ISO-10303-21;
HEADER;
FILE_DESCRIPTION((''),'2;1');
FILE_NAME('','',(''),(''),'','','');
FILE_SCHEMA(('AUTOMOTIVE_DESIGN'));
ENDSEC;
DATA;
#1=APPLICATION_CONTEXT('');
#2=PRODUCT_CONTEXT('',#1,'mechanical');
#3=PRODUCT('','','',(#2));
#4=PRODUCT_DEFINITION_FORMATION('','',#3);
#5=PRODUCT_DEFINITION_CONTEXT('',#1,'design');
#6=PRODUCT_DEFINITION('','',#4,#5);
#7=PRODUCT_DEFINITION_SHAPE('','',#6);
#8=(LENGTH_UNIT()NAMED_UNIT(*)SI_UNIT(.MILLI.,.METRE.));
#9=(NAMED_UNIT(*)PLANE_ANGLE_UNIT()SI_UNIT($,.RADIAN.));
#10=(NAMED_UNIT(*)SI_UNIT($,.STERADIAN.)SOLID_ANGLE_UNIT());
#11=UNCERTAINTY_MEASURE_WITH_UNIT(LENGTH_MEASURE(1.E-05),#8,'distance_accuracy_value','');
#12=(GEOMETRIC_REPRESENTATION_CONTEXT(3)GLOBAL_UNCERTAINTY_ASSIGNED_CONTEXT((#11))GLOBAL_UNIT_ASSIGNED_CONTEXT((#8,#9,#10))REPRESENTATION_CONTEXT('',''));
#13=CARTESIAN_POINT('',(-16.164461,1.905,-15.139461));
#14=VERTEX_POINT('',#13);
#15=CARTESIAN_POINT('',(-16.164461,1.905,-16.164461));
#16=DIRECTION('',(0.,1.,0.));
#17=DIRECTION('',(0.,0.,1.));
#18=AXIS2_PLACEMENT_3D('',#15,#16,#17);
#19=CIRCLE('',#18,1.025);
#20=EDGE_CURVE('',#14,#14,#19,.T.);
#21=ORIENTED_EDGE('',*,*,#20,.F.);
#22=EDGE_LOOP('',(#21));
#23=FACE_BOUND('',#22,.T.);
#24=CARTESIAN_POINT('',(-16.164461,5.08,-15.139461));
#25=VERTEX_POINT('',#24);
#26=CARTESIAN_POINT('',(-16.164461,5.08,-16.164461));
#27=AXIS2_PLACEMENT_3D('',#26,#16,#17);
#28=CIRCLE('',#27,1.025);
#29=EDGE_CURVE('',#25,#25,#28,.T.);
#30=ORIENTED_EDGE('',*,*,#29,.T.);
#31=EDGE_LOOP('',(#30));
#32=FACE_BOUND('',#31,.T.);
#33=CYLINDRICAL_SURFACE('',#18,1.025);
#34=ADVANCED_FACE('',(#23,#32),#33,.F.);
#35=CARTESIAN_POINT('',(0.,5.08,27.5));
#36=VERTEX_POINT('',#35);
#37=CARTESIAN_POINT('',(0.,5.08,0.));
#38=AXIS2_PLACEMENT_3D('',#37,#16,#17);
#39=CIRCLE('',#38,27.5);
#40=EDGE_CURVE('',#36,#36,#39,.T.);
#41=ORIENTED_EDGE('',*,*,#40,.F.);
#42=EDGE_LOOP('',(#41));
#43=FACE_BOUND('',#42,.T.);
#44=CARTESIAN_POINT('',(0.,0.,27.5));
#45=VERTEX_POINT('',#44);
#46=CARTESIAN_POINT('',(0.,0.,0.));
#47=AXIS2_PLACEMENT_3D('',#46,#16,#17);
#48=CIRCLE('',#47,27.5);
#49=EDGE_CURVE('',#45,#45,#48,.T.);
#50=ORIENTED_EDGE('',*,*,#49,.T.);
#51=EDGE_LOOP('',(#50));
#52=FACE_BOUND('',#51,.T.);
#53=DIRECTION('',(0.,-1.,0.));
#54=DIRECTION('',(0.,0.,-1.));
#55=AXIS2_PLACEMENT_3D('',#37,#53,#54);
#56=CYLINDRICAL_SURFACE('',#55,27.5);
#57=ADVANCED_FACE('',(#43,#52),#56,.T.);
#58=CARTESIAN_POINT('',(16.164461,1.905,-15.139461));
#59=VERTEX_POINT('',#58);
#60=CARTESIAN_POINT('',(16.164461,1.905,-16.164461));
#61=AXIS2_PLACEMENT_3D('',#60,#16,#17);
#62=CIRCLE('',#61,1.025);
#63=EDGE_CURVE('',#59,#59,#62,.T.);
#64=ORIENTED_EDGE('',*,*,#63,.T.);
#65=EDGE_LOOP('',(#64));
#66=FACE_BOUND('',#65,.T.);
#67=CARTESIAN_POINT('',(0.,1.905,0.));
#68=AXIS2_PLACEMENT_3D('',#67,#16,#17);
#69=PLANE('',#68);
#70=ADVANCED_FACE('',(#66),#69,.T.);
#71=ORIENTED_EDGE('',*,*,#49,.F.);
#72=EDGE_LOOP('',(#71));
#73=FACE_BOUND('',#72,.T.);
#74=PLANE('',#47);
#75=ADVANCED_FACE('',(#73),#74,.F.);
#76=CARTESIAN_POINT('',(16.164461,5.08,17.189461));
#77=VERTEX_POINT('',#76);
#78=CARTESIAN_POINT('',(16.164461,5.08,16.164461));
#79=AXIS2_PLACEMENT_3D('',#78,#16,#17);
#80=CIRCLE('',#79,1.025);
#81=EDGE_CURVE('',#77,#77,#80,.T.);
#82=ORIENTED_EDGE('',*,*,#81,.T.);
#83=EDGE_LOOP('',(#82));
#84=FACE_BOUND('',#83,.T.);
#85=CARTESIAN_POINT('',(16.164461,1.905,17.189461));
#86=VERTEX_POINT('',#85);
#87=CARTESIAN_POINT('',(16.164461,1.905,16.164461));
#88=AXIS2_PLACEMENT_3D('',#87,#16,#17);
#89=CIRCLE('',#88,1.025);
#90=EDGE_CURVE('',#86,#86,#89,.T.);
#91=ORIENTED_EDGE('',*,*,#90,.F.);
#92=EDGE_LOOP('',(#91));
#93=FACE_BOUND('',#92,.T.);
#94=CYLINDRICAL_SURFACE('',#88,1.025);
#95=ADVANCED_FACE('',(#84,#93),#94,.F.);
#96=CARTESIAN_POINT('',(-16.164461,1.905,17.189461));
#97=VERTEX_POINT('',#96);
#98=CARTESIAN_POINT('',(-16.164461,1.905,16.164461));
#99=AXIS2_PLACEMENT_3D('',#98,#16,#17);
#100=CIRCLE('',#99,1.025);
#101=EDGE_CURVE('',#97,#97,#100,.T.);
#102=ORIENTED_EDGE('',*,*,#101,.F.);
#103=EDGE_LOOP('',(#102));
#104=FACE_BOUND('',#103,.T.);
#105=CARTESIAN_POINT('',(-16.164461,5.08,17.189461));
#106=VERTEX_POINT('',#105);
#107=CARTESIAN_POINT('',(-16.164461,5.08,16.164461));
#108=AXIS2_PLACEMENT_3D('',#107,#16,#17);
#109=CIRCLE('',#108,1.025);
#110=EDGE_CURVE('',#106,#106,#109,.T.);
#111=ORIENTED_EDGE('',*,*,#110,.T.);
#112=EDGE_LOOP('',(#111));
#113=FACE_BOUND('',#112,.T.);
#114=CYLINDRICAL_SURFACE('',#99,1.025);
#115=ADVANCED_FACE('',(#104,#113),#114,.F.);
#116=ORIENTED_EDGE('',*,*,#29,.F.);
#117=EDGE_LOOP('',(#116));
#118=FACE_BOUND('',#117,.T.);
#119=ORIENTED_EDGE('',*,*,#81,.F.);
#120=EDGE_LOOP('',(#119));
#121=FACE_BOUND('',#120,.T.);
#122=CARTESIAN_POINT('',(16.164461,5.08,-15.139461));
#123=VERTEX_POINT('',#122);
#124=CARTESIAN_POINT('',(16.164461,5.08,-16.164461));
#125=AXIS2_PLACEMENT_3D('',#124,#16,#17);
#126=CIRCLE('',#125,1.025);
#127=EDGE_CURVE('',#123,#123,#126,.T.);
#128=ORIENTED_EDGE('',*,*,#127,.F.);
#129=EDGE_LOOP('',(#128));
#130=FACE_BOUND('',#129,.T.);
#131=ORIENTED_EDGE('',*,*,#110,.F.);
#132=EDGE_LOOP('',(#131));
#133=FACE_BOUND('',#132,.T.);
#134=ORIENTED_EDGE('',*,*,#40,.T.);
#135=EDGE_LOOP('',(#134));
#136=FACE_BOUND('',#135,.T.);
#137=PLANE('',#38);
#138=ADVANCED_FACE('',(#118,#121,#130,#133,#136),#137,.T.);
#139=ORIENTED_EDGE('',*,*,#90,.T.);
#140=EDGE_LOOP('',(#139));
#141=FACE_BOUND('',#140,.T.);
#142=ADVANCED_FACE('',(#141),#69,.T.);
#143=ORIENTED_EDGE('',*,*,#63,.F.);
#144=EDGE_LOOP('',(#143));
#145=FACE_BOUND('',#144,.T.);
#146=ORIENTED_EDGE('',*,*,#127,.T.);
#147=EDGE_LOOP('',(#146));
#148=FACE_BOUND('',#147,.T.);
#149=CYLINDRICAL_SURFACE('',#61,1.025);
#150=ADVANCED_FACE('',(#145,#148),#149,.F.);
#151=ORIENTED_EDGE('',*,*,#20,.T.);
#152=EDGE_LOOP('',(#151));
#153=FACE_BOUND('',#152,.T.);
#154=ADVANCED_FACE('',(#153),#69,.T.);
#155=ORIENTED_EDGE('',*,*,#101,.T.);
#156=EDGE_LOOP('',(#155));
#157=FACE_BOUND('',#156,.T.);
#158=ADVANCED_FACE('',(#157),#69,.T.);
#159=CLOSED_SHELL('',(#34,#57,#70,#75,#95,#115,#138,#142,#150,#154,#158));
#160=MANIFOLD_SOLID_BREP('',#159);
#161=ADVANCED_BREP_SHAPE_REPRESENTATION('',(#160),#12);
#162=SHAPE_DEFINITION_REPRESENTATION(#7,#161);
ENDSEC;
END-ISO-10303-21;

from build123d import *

# Parameters (mm, degrees)
SKETCH1_R           = 27.5
BOSS_EXTRUDE1_DEPTH = 5.08
SKETCH2_R           = 1.025
CUT_EXTRUDE1_DEPTH  = 3.175


with BuildPart() as part:
    # Sketch1 → Boss-Extrude1 (new body)
    with BuildSketch(Plane(origin=(0, 0, 0), x_dir=(1, 0, 0), z_dir=(0, 1, 0))):
        with Locations(Location((0, 0, 0), (0, 0, 270))):
            Circle(SKETCH1_R)
    extrude(amount=BOSS_EXTRUDE1_DEPTH)

    # Sketch2 → Cut-Extrude1 (cut)
    with BuildSketch(Plane(origin=(0, 5.08, 0), x_dir=(1, 0, 0), z_dir=(0, 1, 0))):
        with Locations(Location((16.164461018, 16.164461018, 0), (0, 0, 270))):
            Circle(SKETCH2_R)
        with Locations(Location((16.164461018, -16.164461018, 0), (0, 0, 270))):
            Circle(SKETCH2_R)
        with Locations(Location((-16.164461018, -16.164461018, 0), (0, 0, 270))):
            Circle(SKETCH2_R)
        with Locations(Location((-16.164461018, 16.164461018, 0), (0, 0, 270))):
            Circle(SKETCH2_R)
    extrude(amount=-CUT_EXTRUDE1_DEPTH, mode=Mode.SUBTRACT)


solid = part.part
